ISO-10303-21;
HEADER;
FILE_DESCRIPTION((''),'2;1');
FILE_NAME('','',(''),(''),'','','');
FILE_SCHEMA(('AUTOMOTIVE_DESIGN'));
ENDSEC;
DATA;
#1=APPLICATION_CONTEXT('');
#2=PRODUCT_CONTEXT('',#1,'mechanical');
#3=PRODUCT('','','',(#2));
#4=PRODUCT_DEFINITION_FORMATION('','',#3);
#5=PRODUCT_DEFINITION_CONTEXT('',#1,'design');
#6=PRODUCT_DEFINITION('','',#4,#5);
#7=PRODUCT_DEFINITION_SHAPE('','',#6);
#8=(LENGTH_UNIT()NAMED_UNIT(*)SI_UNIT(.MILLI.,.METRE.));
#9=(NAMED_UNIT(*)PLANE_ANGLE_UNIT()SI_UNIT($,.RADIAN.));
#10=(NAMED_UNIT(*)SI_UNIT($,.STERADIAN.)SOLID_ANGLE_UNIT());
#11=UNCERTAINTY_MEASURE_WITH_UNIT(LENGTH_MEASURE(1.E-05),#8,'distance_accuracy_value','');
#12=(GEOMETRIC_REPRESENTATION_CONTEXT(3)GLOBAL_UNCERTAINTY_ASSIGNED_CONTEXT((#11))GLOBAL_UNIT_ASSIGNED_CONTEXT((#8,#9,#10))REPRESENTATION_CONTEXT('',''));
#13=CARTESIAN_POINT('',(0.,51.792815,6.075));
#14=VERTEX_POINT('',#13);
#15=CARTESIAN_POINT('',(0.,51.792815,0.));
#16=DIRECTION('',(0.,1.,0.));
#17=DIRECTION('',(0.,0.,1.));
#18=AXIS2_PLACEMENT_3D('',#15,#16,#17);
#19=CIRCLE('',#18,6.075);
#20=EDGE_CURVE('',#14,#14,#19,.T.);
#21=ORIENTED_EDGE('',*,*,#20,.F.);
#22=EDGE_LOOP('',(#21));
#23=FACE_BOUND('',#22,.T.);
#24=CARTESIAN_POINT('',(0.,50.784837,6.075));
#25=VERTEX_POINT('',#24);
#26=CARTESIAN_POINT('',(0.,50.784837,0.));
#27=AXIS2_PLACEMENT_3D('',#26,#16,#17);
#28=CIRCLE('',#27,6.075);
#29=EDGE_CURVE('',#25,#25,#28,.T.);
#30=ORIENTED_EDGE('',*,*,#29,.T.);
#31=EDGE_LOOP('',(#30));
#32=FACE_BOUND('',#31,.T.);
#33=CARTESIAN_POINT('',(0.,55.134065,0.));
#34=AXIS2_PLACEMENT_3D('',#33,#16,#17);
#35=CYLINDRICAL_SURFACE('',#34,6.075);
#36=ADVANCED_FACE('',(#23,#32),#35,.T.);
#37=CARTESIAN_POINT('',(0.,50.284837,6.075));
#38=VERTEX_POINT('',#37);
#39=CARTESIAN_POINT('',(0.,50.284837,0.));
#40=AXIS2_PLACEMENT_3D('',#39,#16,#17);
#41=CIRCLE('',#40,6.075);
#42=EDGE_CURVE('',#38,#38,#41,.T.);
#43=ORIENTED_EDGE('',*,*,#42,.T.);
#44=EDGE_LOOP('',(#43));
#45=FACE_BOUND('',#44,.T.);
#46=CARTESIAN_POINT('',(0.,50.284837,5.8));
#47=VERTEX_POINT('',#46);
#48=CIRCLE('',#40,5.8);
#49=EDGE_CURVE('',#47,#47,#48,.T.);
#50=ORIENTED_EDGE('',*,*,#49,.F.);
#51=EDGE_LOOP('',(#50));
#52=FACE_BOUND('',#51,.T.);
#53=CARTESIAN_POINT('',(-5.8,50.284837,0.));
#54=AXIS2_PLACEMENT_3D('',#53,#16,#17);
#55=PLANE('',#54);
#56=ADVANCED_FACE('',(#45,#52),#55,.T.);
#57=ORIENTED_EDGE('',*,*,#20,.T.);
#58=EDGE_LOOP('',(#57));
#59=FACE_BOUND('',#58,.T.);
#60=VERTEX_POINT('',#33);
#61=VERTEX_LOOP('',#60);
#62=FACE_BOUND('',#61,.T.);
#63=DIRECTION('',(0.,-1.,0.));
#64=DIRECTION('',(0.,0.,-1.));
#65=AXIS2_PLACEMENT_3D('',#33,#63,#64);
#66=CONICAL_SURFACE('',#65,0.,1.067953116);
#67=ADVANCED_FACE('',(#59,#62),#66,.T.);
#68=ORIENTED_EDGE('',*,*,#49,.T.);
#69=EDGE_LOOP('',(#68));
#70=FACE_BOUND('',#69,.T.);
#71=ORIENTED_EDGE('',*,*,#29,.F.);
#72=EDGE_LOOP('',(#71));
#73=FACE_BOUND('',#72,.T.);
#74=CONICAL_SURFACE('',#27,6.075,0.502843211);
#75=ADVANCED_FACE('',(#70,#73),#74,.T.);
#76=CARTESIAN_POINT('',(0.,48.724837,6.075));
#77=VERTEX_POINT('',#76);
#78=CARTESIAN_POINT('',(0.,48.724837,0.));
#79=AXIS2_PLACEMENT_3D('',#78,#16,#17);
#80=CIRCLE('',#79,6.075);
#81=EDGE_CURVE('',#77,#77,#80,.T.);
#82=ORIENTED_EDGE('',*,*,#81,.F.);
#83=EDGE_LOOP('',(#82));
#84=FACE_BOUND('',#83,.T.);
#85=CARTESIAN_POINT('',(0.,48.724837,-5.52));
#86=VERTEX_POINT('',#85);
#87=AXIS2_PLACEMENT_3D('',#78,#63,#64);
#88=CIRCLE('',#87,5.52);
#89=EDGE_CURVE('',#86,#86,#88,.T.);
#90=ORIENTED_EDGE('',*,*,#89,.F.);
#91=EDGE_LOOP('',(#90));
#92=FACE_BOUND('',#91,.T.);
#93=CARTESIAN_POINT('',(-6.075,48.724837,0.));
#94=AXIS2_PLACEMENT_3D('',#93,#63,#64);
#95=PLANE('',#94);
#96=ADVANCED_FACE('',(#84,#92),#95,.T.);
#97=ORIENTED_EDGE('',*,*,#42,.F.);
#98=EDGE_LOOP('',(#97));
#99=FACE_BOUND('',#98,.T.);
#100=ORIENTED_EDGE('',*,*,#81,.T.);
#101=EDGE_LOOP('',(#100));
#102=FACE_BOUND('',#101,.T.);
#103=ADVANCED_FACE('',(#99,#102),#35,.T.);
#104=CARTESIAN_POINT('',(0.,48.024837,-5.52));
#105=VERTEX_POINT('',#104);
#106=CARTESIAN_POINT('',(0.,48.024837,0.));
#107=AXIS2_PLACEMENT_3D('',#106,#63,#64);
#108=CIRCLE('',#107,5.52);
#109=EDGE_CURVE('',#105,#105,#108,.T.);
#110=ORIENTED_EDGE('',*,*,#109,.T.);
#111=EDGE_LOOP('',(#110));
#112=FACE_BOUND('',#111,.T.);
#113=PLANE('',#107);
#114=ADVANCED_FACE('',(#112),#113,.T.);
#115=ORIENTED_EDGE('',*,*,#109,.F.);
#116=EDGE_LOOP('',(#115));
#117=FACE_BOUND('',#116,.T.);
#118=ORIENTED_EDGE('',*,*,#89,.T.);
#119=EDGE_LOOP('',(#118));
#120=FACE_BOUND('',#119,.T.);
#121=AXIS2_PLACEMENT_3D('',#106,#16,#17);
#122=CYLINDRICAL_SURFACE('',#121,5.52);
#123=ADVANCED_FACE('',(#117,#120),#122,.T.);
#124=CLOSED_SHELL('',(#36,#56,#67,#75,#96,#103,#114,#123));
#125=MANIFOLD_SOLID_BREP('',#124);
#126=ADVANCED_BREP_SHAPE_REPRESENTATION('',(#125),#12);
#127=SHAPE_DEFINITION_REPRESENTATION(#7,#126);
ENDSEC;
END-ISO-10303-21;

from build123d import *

# Parameters (mm, degrees)
SKETCH8_R           = 5.52
BOSS_EXTRUDE2_DEPTH = 0.7


with BuildPart() as part:
    # Sketch7 → Revolve1 (revolve)
    with BuildSketch(Plane.XY):
        Polygon((0, 55.134065354), (0, 48.724836522), (-6.075, 48.724836522), (-6.075, 50.284836522), (-5.8, 50.284836522), (-6.075, 50.784836522), (-6.075, 51.792815354), align=None)
    revolve(axis=Axis((0, 55.134065354, 0), (0, -1, 0)))

    # Sketch8 → Boss-Extrude2 (add)
    with BuildSketch(Plane.XZ.offset(-48.724836522)):
        Circle(SKETCH8_R)
    extrude(amount=BOSS_EXTRUDE2_DEPTH)


solid = part.part
